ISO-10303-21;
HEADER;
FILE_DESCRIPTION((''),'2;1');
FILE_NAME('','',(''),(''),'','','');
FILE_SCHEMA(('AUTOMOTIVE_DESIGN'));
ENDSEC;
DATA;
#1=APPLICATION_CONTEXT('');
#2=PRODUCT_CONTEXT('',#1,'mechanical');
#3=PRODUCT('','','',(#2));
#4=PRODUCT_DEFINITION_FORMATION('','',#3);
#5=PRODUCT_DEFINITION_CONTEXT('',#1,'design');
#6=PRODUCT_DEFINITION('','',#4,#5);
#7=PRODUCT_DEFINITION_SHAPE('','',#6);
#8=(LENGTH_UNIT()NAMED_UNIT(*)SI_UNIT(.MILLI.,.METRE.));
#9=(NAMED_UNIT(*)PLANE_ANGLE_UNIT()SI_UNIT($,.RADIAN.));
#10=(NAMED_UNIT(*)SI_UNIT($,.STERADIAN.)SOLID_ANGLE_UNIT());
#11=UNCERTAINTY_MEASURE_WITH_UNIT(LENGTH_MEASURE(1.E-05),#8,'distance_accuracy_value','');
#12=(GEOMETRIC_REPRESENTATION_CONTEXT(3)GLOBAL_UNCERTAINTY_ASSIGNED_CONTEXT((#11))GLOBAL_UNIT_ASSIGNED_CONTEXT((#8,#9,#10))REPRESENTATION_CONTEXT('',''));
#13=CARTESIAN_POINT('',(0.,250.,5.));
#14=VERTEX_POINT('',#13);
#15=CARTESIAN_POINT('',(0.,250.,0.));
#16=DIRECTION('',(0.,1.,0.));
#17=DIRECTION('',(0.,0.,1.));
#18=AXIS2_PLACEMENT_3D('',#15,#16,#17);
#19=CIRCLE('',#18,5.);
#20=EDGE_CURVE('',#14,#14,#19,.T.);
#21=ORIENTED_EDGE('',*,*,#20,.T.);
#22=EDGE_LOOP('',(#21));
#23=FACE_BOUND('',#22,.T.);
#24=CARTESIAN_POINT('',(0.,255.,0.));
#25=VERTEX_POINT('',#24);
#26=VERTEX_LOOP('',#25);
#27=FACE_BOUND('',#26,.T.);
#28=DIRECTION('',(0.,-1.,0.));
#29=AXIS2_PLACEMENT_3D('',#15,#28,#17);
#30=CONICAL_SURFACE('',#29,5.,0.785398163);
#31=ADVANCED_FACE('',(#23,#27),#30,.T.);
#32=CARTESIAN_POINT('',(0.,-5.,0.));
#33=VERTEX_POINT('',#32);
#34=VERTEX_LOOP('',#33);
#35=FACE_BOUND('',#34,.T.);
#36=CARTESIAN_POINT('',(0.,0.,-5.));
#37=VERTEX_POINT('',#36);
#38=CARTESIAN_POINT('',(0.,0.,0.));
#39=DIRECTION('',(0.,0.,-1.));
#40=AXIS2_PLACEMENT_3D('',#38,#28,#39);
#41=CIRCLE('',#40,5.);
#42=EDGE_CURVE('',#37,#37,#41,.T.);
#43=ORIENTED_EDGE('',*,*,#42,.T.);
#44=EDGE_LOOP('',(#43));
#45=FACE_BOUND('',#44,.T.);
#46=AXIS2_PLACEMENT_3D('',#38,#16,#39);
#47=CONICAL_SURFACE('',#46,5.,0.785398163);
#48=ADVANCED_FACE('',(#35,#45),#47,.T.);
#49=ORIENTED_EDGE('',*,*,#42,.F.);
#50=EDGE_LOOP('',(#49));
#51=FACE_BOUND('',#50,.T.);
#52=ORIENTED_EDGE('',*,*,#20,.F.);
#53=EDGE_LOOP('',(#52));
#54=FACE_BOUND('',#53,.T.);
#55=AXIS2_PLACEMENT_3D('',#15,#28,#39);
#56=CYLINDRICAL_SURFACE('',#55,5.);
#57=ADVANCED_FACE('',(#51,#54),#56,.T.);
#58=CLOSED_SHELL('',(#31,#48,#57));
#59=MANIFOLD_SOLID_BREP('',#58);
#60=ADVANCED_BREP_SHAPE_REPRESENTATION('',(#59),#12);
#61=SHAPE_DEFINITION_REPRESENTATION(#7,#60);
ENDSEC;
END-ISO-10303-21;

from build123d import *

# Parameters (mm, degrees)
CROQUIS1_R              = 5
SALIENTE_EXTRUIR1_DEPTH = 250


with BuildPart() as part:
    # Croquis1 → Saliente-Extruir1 (new body)
    with BuildSketch(Plane(origin=(0, 0, 0), x_dir=(1, 0, 0), z_dir=(0, 1, 0))):
        Circle(CROQUIS1_R)
    extrude(amount=SALIENTE_EXTRUIR1_DEPTH)

    # Saliente-Extruir2 cone 1 section (through the dimple's axis) → Saliente-Extruir2 (revolve)
    with BuildSketch(Plane(origin=(0, 250, 0), x_dir=(0, 0, -1), z_dir=(1, 0, 0))):
        Polygon((0, 0), (5, 0), (0, 5), align=None)
    revolve(axis=Axis((0, 250, 0), (0, 1, 0)))

    # Saliente-Extruir3 cone 1 section (through the dimple's axis) → Saliente-Extruir3 (revolve)
    with BuildSketch(Plane(origin=(0, 0, 0), x_dir=(0, 0, 1), z_dir=(1, 0, 0))):
        Polygon((0, 0), (5, 0), (0, 5), align=None)
    revolve(axis=Axis((0, 0, 0), (0, -1, 0)))


solid = part.part
